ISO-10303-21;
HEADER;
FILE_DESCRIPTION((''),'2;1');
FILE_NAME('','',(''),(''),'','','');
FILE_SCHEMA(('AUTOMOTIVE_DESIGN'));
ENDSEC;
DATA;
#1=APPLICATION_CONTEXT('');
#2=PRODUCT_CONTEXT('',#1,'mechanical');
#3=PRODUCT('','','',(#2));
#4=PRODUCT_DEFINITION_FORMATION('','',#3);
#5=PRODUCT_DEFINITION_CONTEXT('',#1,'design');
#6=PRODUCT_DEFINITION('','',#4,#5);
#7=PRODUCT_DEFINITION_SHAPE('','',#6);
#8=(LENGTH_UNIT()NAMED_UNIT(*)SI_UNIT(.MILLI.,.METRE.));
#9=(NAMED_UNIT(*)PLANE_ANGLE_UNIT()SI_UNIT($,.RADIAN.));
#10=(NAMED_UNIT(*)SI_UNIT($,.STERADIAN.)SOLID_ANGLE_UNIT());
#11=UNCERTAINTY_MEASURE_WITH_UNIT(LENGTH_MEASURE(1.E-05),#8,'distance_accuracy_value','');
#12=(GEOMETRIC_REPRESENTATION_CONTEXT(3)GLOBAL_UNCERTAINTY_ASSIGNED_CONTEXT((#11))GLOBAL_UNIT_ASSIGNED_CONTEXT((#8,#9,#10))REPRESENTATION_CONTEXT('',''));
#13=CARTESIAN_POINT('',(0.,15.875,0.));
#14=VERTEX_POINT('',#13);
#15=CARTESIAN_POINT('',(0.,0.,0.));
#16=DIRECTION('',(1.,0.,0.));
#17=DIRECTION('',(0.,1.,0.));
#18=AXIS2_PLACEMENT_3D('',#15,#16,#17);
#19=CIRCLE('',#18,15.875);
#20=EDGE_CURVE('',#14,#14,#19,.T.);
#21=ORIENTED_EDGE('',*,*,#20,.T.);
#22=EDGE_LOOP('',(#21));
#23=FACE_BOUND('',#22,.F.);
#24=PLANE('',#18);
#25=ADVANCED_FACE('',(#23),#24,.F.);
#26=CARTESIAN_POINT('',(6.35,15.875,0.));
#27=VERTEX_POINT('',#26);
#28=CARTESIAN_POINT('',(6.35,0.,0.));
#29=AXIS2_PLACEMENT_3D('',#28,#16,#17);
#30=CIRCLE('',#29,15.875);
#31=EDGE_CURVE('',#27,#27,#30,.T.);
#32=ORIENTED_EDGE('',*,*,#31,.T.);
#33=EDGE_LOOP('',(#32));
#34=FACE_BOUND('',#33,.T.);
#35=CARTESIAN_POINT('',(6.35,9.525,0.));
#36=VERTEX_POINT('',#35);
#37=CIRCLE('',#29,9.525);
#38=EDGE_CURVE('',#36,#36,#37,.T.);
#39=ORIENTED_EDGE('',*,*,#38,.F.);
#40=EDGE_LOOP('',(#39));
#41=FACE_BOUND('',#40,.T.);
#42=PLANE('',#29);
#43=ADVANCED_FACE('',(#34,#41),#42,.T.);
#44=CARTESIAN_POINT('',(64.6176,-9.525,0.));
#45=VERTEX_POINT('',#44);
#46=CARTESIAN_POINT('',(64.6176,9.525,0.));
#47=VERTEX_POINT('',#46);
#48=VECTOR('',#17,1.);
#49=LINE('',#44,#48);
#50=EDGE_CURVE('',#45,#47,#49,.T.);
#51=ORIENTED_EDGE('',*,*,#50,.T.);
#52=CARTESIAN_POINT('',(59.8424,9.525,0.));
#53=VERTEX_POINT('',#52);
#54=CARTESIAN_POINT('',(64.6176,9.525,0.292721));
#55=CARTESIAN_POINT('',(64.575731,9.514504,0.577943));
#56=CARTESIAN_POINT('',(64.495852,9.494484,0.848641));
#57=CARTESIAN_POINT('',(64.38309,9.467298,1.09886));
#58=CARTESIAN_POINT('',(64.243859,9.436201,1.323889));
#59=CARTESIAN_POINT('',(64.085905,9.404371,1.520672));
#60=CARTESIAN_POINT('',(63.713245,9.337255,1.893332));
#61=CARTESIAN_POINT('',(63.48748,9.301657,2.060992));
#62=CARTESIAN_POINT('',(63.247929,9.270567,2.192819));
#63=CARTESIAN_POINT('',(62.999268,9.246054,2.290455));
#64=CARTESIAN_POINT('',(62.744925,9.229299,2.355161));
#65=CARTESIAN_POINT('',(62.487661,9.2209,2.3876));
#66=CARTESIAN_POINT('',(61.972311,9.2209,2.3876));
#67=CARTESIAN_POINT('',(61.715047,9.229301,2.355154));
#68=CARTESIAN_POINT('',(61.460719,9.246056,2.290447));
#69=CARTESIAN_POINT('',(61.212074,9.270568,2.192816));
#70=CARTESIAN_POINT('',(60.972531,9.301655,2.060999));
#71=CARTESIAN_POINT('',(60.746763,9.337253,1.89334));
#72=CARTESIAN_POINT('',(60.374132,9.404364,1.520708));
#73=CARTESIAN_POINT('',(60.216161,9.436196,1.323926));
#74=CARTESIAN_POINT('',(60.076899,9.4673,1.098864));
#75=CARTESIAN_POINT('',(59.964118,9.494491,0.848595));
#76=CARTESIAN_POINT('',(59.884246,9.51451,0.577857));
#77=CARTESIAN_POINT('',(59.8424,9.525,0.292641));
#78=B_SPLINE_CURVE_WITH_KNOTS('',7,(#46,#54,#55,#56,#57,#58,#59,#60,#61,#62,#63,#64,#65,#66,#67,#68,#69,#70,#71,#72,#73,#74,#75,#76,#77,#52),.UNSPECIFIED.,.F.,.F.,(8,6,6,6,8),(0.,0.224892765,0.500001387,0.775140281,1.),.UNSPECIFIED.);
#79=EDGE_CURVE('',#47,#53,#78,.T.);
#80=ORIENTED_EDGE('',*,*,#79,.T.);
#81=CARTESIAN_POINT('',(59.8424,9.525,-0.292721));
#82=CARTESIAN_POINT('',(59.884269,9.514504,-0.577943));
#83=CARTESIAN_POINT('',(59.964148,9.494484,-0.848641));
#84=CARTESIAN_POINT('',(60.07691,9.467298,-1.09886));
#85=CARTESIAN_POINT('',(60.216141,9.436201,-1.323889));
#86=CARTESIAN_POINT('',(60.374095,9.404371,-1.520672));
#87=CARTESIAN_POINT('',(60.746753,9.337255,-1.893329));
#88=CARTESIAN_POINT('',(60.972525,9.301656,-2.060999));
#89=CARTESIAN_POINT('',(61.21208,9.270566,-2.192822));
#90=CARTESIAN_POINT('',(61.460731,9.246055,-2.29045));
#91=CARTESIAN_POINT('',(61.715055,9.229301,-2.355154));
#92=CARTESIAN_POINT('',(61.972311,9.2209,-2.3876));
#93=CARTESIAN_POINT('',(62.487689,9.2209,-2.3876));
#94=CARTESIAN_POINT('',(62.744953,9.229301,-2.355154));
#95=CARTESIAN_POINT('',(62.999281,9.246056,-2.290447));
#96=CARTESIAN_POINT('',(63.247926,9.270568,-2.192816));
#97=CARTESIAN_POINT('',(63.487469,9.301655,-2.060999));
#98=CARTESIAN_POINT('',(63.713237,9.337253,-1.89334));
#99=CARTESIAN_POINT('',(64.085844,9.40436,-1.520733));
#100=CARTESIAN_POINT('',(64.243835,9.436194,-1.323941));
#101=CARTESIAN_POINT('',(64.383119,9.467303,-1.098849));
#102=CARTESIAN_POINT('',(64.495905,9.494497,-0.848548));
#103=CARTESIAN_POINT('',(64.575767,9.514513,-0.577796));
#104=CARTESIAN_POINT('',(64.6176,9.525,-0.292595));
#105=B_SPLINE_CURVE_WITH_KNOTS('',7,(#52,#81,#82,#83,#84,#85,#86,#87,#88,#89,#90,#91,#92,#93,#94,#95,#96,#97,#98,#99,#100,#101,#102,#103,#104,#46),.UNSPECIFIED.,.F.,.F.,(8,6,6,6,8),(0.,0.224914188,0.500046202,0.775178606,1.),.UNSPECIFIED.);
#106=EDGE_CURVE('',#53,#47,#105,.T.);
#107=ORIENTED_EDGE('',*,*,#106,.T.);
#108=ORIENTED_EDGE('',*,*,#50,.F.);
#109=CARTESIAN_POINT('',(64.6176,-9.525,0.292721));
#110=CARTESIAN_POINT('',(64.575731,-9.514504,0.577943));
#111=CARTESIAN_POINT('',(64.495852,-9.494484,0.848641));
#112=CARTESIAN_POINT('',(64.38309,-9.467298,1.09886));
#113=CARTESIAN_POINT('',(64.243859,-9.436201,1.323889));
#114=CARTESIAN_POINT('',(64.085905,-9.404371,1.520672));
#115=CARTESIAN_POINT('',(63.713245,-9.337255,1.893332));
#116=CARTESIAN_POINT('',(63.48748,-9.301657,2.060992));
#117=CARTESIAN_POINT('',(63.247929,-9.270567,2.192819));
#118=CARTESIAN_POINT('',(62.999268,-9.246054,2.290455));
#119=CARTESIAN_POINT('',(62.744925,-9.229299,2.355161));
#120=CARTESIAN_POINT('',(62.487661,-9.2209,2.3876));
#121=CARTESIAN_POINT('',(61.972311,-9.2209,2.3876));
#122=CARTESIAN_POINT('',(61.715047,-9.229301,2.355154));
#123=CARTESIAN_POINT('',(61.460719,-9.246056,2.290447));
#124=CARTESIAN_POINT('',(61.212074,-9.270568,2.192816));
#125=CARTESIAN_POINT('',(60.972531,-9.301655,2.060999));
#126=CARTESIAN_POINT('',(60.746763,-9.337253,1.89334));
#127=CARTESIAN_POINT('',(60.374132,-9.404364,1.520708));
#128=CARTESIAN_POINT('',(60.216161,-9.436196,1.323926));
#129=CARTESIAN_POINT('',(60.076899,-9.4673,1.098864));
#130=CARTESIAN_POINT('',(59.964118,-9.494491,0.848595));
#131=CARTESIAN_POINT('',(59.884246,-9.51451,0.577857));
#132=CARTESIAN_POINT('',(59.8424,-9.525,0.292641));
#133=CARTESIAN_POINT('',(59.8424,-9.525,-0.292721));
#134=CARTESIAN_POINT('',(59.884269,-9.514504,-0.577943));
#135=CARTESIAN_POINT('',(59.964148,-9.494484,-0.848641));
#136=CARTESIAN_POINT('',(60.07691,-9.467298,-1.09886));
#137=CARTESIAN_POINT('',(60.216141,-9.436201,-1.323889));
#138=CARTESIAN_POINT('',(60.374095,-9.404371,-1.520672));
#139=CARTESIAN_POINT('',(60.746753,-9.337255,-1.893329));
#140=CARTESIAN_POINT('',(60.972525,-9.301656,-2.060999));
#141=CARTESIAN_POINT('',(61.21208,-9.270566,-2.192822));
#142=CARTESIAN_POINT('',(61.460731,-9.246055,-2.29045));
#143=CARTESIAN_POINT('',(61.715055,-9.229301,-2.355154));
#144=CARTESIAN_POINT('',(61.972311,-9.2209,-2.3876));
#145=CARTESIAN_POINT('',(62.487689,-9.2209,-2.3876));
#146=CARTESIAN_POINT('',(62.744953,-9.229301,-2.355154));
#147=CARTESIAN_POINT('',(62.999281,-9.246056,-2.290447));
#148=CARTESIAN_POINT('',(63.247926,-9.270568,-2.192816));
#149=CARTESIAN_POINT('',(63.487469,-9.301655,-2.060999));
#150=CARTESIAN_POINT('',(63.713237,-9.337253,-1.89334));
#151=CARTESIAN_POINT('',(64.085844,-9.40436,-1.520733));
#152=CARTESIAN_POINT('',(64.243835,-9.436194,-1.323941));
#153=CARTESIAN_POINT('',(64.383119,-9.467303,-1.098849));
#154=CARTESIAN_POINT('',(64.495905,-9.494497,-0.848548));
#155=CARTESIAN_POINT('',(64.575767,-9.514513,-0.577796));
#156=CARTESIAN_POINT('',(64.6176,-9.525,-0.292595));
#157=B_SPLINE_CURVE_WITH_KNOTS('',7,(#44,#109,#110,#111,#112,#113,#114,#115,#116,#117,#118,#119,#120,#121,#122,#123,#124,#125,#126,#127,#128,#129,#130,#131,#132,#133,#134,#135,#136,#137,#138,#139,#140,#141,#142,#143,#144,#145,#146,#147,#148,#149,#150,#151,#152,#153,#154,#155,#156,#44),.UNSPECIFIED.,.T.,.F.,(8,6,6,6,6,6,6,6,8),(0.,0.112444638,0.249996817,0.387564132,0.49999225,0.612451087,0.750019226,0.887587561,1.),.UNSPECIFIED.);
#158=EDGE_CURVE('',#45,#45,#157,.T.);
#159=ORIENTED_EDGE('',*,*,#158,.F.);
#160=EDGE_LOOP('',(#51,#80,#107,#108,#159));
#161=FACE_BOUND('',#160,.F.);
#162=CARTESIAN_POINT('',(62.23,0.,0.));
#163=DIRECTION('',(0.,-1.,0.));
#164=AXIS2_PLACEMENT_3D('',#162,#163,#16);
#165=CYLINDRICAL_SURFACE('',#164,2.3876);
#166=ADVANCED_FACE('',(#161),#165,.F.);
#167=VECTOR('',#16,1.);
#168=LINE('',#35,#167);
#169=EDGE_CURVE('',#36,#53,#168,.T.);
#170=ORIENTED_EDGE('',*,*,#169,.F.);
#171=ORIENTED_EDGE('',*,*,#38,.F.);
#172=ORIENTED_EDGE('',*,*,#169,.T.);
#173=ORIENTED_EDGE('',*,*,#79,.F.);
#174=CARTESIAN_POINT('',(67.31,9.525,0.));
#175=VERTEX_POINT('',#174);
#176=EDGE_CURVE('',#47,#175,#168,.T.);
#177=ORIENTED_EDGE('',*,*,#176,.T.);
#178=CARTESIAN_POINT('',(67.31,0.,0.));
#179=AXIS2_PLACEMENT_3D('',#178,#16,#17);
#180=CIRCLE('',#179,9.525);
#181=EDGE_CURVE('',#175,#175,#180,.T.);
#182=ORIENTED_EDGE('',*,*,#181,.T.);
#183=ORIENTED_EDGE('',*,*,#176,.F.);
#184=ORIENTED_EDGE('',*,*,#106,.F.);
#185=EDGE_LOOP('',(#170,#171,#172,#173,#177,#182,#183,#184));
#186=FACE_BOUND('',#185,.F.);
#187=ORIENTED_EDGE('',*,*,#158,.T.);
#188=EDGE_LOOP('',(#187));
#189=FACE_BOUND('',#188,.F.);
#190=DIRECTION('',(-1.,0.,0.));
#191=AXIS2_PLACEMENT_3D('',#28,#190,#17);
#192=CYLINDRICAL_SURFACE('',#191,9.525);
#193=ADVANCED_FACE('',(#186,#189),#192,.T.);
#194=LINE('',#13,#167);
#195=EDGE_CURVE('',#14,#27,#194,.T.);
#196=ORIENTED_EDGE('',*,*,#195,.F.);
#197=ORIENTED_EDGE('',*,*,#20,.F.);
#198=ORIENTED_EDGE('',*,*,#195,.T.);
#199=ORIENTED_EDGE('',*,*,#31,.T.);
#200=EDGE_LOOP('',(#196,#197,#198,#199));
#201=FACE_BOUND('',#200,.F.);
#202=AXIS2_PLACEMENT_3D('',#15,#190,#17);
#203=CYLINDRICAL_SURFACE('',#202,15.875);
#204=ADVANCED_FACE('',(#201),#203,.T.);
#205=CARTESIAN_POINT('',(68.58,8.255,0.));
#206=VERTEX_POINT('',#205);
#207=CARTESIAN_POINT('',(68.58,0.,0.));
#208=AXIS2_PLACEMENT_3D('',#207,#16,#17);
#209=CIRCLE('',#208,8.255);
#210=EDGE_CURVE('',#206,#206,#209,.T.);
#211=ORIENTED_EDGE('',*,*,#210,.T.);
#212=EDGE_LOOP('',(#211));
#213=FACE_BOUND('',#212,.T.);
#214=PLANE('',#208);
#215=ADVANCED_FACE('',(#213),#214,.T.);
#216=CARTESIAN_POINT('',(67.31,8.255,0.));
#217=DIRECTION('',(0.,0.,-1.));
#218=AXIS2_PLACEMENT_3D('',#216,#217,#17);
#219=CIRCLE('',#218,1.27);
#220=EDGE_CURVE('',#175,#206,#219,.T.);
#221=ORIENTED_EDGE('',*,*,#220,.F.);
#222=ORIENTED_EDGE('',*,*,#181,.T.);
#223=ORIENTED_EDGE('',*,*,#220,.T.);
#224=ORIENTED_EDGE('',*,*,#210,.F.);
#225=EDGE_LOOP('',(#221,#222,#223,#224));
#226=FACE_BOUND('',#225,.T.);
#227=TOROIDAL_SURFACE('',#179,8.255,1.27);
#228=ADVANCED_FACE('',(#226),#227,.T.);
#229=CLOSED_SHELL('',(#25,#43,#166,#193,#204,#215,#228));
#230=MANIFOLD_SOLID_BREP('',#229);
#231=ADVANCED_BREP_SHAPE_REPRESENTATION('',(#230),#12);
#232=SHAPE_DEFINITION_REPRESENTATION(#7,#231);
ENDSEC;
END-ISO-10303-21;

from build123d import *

# Parameters (mm, degrees)
F0_R          = 15.875
F1_DEPTH      = 6.35
F2_R          = 9.525
F3_DEPTH      = 62.23
F4_R          = 2.3876
F5_DEPTH      = 25.4
F5_DEPTH_BACK = 25.4
F6_R          = 1.27


with BuildPart() as f1:
    # F0 (on Right) → F1 (new body)
    with BuildSketch(Plane.YZ):
        Circle(F0_R)
    extrude(amount=F1_DEPTH)

    # F2 (on face) → F3 (join)
    with BuildSketch(Plane.YZ.offset(6.35)):
        Circle(F2_R)
    extrude(amount=F3_DEPTH)

    # F4 (on Front) → F5 (cut, two sides)
    with BuildSketch(Plane.XZ) as f5_sk:
        with Locations((62.23, 0)):
            Circle(F4_R)
    extrude(amount=-F5_DEPTH, mode=Mode.SUBTRACT)
    extrude(f5_sk.sketch, amount=F5_DEPTH_BACK, mode=Mode.SUBTRACT)

    # F6
    f6_edges = [f1.edges().sort_by_distance(p)[0] for p in [
        (68.58, -9.525, 0),
    ]]
    fillet(f6_edges, radius=F6_R)


solid = f1.part
